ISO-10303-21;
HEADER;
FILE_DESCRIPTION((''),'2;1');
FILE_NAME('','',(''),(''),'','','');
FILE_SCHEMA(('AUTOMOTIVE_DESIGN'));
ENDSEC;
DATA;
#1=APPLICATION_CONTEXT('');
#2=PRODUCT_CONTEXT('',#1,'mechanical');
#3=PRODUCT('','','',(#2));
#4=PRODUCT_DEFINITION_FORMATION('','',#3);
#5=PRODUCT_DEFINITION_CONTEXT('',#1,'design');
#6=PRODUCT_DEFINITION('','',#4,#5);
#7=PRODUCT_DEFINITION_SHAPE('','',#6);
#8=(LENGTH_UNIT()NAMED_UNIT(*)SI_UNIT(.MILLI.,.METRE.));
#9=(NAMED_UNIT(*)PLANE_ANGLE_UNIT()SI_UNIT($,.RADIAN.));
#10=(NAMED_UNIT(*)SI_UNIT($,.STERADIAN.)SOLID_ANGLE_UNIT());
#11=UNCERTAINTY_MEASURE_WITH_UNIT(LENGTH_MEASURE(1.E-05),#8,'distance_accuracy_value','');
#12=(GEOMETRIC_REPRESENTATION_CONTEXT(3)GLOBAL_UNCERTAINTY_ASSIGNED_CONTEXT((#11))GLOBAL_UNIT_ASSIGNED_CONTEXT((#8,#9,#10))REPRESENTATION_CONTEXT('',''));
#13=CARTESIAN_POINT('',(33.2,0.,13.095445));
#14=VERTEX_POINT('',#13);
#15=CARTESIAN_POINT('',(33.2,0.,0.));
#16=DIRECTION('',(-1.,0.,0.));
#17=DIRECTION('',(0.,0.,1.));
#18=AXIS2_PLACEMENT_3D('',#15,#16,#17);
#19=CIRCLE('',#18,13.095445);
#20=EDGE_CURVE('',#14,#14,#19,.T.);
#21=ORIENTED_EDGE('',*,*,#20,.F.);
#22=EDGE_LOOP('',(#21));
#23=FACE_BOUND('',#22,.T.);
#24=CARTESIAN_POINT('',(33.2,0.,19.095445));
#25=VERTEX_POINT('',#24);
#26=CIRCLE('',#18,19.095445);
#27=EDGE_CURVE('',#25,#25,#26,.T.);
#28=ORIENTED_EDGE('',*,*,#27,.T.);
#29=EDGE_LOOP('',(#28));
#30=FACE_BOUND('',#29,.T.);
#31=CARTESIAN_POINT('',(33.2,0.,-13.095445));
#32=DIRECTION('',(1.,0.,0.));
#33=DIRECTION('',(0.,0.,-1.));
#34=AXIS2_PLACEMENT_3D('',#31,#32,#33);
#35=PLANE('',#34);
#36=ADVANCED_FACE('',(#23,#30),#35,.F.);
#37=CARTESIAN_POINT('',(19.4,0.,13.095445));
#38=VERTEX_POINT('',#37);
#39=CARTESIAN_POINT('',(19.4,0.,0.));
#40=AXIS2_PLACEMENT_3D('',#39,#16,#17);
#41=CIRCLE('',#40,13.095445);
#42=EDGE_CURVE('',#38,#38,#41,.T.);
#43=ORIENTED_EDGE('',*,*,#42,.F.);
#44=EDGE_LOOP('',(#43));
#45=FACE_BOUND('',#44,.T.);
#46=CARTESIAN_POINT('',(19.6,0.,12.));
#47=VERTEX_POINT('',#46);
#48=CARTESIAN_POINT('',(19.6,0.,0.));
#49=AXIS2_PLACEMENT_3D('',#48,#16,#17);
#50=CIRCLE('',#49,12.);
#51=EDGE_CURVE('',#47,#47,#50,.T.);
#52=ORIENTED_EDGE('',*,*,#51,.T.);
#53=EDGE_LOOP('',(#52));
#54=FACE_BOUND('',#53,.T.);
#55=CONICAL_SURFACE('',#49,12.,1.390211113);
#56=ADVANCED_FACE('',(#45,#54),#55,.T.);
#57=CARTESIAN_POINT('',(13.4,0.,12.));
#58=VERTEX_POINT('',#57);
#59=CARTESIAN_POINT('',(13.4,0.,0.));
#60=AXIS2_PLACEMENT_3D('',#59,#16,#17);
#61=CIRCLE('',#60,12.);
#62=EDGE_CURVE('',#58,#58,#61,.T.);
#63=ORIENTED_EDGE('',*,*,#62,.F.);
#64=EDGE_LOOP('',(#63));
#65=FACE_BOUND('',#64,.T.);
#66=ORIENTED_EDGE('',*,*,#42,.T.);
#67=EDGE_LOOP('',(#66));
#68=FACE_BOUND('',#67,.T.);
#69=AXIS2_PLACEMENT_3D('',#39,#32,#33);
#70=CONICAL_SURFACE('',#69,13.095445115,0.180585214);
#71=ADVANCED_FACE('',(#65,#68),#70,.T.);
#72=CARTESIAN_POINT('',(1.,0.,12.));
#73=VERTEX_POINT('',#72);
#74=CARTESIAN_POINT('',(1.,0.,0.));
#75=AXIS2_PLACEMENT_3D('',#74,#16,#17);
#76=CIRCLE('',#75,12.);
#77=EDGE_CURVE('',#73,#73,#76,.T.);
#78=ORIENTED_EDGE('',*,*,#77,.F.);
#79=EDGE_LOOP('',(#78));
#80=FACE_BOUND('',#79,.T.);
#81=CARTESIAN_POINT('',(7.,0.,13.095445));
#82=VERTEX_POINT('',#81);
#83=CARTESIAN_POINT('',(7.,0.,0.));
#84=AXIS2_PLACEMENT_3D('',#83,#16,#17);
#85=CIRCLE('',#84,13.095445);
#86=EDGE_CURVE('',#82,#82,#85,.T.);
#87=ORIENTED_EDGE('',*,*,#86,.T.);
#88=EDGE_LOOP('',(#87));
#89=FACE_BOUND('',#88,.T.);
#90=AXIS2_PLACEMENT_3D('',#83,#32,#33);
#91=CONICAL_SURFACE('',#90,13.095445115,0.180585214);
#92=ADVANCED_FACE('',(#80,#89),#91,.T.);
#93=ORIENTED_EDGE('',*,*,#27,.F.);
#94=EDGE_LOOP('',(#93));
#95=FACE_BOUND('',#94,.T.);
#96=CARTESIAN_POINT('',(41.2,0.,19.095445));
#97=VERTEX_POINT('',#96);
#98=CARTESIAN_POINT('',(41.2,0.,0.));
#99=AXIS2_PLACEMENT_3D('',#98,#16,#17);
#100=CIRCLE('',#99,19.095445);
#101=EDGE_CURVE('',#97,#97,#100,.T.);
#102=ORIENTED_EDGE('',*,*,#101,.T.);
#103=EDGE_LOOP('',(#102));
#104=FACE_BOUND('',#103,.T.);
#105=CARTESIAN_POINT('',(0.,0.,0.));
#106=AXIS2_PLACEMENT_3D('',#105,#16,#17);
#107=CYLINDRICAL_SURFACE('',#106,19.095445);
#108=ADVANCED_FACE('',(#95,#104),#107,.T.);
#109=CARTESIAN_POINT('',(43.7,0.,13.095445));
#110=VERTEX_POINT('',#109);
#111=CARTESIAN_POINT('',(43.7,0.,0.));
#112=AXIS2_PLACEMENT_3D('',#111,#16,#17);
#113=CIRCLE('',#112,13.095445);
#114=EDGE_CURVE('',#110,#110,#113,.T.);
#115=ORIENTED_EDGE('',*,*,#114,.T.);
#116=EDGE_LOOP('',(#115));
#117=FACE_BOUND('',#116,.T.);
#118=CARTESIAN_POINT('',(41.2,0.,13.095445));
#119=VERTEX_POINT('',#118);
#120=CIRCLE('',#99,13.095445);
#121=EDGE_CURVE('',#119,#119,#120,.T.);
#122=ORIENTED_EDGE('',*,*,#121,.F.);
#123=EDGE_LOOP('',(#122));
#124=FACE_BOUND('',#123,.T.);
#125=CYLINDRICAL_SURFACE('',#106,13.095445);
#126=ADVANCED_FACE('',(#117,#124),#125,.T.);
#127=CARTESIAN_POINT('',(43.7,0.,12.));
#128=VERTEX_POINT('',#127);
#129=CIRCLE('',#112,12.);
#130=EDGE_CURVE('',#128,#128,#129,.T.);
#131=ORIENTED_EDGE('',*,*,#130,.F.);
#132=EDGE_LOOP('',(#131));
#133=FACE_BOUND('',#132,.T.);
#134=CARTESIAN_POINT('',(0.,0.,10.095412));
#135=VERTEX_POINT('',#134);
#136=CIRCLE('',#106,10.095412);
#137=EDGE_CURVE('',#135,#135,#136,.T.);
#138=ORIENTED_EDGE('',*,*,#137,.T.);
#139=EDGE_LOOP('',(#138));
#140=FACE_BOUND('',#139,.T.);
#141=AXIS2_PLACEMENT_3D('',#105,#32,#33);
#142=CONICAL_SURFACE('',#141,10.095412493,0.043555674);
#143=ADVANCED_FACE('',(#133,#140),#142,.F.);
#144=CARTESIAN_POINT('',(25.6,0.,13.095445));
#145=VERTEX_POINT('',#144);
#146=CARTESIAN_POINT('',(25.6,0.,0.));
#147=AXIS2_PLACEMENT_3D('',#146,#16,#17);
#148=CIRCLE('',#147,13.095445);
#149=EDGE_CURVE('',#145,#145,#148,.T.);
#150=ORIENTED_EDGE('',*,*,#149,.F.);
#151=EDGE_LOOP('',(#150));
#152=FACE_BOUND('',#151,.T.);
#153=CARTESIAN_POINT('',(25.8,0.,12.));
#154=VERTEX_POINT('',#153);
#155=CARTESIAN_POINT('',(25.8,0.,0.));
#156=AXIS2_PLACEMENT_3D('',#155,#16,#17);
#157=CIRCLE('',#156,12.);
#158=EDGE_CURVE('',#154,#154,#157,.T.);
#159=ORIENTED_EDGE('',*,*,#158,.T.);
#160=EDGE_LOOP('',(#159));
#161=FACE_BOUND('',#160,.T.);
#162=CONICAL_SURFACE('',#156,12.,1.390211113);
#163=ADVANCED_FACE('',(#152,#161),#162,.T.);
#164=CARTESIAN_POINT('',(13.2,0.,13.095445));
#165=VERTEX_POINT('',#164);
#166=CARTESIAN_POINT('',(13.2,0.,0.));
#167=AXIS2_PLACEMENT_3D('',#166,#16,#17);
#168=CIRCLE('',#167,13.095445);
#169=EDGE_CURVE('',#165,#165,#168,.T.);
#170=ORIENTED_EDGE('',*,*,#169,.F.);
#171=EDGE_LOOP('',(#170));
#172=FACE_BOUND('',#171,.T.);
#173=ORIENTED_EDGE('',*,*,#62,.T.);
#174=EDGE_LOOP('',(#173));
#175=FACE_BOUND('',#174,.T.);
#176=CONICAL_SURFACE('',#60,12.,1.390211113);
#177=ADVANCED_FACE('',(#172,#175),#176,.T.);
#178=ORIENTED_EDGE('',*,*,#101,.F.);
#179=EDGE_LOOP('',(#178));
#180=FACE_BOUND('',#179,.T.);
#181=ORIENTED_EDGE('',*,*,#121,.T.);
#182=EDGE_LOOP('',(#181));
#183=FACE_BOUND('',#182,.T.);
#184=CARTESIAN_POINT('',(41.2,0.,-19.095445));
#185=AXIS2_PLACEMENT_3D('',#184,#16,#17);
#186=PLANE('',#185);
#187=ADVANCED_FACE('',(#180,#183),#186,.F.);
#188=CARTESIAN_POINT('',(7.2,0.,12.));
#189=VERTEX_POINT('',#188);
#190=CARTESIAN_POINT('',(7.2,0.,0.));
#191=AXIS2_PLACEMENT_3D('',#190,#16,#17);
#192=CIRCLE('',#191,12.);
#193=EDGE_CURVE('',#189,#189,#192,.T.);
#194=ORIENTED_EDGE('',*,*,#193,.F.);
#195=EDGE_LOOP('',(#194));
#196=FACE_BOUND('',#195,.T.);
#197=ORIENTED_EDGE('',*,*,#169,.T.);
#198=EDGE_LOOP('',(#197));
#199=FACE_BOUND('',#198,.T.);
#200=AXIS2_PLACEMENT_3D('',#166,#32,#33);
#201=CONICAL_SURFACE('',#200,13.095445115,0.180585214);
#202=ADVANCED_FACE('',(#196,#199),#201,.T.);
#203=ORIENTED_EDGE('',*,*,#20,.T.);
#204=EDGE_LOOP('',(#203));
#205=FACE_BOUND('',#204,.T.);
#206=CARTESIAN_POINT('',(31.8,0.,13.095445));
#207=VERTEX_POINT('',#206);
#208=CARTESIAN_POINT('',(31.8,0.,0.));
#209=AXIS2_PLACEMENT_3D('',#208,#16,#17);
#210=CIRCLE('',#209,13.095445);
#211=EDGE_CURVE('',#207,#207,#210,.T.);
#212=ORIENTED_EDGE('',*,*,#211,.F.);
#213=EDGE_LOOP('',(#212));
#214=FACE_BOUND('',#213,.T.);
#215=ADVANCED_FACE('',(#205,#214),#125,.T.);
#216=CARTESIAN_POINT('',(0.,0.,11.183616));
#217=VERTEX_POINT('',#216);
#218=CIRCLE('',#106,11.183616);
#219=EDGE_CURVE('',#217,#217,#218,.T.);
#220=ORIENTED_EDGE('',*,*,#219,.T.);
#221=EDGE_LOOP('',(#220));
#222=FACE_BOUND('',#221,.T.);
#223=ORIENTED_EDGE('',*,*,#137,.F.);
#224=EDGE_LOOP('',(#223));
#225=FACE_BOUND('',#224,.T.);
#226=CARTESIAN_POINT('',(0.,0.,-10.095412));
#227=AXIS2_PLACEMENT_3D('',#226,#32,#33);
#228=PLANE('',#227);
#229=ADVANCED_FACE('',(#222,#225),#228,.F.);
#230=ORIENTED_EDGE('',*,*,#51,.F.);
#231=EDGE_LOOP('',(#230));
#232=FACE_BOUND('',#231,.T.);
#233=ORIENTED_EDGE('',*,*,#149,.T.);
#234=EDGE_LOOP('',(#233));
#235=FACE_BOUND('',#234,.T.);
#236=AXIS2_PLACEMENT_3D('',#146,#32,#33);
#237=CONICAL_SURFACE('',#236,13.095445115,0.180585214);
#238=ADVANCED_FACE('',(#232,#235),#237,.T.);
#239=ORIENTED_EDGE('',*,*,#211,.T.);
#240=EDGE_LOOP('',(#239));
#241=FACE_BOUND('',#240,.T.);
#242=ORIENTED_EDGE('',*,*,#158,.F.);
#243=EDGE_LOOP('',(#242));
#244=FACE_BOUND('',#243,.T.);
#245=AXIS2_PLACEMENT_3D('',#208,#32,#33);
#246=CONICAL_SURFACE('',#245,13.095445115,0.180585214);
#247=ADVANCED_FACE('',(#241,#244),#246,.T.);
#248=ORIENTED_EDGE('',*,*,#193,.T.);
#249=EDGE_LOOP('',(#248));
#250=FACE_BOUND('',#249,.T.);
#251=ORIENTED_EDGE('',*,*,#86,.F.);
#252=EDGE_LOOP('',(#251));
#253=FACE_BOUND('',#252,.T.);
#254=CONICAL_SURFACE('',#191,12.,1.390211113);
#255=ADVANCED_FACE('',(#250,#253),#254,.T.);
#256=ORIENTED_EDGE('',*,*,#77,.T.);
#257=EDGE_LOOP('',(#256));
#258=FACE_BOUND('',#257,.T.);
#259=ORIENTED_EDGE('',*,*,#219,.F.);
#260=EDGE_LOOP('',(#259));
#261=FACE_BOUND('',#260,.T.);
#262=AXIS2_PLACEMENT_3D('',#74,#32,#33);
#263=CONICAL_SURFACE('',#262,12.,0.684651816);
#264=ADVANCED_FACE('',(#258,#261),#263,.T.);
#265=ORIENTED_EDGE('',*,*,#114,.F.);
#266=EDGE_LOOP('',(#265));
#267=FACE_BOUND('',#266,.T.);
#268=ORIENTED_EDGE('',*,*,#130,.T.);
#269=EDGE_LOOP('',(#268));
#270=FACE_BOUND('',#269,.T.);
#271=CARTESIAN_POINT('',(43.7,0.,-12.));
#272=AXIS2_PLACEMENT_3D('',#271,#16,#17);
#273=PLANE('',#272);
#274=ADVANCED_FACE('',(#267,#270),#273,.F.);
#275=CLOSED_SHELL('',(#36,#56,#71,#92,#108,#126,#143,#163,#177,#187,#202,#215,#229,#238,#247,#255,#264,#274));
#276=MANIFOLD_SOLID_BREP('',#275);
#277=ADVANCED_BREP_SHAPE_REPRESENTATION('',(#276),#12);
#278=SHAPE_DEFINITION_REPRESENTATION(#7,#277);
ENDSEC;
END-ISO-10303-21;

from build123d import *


with BuildPart() as part:
    # Sketch1 → Revolve2 (revolve)
    with BuildSketch(Plane(origin=(0, 0, 0), x_dir=(1, 0, 0), z_dir=(0, 1, 0)), mode=Mode.PRIVATE) as revolve2_sk:
        Polygon((0, 10.095412493), (0, 11.183615724), (1, 12), (7, 13.095445115), (7.2, 12), (13.2, 13.095445115), (13.4, 12), (19.4, 13.095445115), (19.6, 12), (25.6, 13.095445115), (25.8, 12), (31.8, 13.095445115), (33.2, 13.095445115), (33.2, 19.095445115), (41.2, 19.095445115), (41.2, 13.095445115), (43.7, 13.095445115), (43.7, 12), align=None)
    revolve(revolve2_sk.sketch.rotate(Axis((0, 0, 0), (1, 0, 0)), 180), axis=Axis((0, 0, 0), (1, 0, 0)))


solid = part.part
